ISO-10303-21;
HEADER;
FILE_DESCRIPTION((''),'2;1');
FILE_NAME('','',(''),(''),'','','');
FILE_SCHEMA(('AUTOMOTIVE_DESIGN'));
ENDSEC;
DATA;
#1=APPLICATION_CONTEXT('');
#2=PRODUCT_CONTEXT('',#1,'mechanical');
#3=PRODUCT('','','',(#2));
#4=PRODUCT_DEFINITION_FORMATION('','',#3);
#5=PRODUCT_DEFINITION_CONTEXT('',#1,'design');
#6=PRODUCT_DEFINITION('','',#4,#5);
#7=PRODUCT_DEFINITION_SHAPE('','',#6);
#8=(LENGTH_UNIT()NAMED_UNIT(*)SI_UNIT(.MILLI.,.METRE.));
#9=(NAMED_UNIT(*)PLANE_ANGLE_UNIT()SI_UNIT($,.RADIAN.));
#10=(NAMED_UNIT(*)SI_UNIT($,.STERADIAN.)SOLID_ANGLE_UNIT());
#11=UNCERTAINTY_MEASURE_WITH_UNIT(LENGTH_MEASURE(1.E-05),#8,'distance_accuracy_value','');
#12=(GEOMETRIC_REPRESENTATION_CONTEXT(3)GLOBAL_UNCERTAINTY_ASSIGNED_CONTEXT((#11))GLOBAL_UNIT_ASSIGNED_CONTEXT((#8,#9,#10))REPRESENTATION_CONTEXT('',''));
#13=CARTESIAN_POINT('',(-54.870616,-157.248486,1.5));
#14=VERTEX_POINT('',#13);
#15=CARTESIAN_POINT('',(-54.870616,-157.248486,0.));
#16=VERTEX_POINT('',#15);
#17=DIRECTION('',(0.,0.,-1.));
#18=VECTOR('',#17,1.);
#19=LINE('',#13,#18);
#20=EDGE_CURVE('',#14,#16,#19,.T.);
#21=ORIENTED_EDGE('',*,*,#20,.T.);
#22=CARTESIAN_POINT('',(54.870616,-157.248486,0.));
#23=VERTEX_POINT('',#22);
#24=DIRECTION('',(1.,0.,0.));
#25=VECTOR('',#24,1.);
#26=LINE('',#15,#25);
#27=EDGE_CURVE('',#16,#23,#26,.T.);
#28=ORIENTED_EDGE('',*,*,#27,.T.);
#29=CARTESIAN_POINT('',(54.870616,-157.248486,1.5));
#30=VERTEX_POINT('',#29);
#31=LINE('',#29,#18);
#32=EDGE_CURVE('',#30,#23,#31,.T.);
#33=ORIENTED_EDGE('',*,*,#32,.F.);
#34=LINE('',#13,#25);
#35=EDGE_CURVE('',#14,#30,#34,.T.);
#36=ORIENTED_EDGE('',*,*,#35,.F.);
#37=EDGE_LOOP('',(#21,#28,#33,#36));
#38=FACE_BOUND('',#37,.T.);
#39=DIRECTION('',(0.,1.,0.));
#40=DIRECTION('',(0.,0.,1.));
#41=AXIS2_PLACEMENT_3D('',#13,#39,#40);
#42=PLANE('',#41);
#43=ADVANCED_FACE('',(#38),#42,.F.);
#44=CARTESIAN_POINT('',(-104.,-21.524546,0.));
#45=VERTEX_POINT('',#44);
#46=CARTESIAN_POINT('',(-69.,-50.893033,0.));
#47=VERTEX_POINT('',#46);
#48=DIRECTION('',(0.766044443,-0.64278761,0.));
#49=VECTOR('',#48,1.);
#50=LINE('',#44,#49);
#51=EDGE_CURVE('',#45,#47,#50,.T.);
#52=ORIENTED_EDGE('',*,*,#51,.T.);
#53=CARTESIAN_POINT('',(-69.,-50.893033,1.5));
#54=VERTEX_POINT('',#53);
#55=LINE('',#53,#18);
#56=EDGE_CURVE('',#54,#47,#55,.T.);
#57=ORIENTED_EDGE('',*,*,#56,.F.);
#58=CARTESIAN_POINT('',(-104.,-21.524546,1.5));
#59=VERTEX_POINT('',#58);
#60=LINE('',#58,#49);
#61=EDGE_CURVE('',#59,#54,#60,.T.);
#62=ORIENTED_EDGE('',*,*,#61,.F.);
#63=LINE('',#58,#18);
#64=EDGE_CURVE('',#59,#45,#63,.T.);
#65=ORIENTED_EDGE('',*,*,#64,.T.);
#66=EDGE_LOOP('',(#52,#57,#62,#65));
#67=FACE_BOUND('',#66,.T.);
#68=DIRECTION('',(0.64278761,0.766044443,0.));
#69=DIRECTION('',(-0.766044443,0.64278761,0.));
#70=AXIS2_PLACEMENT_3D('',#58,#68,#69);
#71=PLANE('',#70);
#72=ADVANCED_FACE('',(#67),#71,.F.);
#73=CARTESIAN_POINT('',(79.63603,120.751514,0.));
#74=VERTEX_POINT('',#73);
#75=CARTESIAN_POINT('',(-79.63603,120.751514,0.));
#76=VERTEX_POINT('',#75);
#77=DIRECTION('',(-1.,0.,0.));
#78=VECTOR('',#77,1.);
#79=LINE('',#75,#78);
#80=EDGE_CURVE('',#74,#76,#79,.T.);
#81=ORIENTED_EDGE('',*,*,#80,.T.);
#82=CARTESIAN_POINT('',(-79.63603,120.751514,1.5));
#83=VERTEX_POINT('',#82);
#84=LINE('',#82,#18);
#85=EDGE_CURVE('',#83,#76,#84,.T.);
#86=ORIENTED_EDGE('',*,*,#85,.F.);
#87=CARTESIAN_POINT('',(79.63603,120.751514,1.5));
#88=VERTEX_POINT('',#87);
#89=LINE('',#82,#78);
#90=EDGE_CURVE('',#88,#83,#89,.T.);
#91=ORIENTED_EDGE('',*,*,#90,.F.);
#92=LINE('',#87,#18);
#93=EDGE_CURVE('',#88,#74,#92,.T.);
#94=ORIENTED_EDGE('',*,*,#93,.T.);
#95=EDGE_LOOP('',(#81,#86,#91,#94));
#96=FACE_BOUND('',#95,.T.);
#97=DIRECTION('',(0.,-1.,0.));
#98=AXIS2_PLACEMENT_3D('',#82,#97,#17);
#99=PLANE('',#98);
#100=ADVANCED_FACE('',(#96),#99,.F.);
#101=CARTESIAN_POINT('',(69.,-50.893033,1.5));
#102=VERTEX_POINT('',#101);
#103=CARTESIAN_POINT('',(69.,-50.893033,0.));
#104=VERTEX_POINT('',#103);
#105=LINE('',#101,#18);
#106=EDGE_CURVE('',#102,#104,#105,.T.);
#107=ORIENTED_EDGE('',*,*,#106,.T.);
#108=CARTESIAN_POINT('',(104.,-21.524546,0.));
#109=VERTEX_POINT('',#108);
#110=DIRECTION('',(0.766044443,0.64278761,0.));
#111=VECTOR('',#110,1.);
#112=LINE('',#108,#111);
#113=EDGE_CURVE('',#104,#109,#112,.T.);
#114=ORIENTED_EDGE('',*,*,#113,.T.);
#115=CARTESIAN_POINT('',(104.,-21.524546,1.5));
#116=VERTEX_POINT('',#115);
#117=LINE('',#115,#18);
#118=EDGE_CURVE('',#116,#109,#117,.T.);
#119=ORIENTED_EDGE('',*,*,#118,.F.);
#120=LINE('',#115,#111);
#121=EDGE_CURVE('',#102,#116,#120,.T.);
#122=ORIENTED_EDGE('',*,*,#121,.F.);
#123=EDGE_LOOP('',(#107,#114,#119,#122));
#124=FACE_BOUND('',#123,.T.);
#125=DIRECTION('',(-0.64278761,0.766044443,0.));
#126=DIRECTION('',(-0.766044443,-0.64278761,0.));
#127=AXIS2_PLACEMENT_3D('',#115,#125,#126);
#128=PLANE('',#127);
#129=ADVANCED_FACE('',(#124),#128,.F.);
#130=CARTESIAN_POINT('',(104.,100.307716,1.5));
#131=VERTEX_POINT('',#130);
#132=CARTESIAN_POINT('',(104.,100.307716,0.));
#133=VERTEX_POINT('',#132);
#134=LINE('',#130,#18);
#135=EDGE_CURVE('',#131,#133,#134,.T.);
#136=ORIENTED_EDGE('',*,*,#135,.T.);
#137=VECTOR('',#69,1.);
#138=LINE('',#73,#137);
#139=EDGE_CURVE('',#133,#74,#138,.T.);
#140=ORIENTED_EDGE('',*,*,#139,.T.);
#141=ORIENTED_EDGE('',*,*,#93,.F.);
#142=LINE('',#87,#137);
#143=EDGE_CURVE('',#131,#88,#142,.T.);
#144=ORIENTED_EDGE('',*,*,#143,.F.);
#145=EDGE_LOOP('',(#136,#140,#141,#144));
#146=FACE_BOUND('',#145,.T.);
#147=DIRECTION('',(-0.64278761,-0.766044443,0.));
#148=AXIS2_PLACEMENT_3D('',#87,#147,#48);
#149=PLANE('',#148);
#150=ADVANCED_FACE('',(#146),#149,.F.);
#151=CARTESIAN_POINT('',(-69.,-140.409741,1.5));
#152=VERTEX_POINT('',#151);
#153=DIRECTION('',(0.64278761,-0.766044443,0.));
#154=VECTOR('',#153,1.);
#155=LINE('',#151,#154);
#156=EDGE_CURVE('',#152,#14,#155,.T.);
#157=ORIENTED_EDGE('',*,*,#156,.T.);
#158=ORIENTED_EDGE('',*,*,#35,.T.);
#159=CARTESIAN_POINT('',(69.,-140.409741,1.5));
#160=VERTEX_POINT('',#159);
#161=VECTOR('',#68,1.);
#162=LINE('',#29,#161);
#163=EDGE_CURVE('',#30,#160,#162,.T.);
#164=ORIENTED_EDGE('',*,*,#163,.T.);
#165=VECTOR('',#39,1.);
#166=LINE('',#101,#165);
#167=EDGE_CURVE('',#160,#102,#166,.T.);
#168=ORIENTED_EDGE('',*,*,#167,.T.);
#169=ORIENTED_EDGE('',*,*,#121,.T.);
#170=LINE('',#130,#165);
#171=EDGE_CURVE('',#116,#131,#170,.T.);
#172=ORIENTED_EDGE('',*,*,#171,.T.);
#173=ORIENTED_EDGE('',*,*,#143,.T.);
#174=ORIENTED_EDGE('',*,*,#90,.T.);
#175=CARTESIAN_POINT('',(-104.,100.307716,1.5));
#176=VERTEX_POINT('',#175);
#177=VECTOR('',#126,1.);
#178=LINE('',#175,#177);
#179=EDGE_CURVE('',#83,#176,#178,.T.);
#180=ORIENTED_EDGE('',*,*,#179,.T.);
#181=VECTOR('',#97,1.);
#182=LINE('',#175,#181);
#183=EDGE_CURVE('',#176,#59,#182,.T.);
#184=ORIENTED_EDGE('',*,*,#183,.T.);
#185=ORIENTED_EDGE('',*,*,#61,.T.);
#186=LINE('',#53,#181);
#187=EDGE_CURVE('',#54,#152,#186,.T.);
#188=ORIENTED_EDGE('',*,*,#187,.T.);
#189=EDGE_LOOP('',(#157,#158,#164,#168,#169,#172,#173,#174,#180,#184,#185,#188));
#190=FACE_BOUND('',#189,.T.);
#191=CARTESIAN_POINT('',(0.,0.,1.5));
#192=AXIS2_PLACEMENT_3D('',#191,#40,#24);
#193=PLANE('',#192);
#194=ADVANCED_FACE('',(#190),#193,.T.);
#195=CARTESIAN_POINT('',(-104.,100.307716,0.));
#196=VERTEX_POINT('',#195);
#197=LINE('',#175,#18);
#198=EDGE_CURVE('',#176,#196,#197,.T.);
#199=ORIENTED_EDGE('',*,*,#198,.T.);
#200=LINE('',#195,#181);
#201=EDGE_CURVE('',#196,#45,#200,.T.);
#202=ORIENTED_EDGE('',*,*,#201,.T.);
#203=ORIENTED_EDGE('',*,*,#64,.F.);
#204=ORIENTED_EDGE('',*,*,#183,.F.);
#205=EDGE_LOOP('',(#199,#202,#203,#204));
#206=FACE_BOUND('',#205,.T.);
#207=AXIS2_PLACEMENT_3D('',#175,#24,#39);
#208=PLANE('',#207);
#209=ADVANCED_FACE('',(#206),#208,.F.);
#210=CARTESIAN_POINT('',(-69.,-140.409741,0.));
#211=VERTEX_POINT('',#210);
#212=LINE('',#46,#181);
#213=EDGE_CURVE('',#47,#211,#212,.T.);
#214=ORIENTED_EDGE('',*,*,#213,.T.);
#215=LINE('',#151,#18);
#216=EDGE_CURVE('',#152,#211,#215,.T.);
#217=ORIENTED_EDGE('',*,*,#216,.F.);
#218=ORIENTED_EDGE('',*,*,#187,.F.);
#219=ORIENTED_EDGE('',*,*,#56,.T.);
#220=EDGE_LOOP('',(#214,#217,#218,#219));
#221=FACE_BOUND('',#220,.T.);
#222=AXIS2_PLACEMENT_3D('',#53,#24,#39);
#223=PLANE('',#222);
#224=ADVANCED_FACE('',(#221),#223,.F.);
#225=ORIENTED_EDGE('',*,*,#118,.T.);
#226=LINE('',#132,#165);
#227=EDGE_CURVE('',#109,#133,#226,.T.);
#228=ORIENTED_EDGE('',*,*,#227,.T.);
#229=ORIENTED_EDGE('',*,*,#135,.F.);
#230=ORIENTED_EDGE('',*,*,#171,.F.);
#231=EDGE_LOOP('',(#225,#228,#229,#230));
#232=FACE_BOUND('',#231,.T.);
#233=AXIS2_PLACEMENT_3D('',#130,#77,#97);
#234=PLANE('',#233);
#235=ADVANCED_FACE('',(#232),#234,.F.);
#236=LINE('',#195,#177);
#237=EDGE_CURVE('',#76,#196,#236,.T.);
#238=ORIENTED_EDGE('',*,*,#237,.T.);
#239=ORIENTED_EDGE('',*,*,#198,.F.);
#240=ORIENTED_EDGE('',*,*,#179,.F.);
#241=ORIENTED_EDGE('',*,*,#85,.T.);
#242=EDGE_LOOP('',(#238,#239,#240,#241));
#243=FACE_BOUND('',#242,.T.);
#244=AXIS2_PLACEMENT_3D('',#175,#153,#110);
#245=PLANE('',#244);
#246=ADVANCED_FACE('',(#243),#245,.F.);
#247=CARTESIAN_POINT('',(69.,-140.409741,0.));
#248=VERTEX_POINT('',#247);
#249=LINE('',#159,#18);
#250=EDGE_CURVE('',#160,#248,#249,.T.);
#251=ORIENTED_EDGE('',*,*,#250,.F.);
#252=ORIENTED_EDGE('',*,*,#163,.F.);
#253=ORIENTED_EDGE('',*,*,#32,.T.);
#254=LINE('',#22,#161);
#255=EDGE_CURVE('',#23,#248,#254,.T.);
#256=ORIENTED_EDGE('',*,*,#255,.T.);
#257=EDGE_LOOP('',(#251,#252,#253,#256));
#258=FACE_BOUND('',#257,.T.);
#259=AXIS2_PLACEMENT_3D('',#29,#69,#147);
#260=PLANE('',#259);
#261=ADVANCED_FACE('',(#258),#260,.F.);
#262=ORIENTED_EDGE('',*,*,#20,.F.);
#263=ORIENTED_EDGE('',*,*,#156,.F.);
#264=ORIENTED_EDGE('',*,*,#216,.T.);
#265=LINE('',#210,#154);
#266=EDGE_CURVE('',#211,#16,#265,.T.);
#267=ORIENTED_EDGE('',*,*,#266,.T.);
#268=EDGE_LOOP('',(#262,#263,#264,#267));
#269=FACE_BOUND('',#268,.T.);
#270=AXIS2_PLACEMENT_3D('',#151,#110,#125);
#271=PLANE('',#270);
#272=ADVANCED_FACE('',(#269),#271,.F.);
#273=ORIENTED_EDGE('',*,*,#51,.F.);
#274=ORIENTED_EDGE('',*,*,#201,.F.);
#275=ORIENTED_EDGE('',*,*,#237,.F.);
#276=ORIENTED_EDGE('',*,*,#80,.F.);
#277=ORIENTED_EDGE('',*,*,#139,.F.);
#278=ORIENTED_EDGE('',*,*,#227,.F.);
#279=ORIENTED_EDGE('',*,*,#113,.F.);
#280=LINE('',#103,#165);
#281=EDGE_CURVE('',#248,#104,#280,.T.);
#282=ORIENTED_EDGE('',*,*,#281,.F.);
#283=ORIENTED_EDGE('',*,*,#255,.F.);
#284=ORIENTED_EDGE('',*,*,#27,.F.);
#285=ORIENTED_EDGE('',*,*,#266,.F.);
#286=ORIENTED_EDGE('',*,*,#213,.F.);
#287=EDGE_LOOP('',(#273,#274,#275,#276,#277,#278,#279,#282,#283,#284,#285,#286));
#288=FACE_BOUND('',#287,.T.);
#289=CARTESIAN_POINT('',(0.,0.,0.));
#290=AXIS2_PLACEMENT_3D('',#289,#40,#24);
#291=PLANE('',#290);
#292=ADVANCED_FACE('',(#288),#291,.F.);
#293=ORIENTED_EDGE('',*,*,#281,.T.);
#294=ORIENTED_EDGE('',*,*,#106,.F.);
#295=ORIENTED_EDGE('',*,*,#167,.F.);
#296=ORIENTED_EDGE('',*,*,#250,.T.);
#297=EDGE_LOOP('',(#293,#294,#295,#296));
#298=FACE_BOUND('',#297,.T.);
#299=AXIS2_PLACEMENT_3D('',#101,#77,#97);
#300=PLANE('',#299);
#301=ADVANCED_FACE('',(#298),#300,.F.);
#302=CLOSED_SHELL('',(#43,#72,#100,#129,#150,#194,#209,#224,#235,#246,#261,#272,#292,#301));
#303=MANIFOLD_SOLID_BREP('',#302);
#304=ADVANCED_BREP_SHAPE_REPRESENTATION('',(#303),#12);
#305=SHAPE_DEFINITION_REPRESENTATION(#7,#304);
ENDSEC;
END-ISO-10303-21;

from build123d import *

# Parameters (mm, degrees)
RESSALTO_EXTRUS_O1_DEPTH = 1.5


with BuildPart() as part:
    # Esboço1 → Ressalto-extrusão1 (new body)
    with BuildSketch(Plane.XY):
        Polygon((-69, -140.409741205), (-54.87061576, -157.248485634), (54.87061576, -157.248485634), (69, -140.409741205), (69, -50.89303323), (104, -21.524546139), (104, 100.307715929), (79.636029766, 120.751514366), (-79.636029766, 120.751514366), (-104, 100.307715929), (-104, -21.524546139), (-69, -50.89303323), align=None)
    extrude(amount=RESSALTO_EXTRUS_O1_DEPTH)


solid = part.part
